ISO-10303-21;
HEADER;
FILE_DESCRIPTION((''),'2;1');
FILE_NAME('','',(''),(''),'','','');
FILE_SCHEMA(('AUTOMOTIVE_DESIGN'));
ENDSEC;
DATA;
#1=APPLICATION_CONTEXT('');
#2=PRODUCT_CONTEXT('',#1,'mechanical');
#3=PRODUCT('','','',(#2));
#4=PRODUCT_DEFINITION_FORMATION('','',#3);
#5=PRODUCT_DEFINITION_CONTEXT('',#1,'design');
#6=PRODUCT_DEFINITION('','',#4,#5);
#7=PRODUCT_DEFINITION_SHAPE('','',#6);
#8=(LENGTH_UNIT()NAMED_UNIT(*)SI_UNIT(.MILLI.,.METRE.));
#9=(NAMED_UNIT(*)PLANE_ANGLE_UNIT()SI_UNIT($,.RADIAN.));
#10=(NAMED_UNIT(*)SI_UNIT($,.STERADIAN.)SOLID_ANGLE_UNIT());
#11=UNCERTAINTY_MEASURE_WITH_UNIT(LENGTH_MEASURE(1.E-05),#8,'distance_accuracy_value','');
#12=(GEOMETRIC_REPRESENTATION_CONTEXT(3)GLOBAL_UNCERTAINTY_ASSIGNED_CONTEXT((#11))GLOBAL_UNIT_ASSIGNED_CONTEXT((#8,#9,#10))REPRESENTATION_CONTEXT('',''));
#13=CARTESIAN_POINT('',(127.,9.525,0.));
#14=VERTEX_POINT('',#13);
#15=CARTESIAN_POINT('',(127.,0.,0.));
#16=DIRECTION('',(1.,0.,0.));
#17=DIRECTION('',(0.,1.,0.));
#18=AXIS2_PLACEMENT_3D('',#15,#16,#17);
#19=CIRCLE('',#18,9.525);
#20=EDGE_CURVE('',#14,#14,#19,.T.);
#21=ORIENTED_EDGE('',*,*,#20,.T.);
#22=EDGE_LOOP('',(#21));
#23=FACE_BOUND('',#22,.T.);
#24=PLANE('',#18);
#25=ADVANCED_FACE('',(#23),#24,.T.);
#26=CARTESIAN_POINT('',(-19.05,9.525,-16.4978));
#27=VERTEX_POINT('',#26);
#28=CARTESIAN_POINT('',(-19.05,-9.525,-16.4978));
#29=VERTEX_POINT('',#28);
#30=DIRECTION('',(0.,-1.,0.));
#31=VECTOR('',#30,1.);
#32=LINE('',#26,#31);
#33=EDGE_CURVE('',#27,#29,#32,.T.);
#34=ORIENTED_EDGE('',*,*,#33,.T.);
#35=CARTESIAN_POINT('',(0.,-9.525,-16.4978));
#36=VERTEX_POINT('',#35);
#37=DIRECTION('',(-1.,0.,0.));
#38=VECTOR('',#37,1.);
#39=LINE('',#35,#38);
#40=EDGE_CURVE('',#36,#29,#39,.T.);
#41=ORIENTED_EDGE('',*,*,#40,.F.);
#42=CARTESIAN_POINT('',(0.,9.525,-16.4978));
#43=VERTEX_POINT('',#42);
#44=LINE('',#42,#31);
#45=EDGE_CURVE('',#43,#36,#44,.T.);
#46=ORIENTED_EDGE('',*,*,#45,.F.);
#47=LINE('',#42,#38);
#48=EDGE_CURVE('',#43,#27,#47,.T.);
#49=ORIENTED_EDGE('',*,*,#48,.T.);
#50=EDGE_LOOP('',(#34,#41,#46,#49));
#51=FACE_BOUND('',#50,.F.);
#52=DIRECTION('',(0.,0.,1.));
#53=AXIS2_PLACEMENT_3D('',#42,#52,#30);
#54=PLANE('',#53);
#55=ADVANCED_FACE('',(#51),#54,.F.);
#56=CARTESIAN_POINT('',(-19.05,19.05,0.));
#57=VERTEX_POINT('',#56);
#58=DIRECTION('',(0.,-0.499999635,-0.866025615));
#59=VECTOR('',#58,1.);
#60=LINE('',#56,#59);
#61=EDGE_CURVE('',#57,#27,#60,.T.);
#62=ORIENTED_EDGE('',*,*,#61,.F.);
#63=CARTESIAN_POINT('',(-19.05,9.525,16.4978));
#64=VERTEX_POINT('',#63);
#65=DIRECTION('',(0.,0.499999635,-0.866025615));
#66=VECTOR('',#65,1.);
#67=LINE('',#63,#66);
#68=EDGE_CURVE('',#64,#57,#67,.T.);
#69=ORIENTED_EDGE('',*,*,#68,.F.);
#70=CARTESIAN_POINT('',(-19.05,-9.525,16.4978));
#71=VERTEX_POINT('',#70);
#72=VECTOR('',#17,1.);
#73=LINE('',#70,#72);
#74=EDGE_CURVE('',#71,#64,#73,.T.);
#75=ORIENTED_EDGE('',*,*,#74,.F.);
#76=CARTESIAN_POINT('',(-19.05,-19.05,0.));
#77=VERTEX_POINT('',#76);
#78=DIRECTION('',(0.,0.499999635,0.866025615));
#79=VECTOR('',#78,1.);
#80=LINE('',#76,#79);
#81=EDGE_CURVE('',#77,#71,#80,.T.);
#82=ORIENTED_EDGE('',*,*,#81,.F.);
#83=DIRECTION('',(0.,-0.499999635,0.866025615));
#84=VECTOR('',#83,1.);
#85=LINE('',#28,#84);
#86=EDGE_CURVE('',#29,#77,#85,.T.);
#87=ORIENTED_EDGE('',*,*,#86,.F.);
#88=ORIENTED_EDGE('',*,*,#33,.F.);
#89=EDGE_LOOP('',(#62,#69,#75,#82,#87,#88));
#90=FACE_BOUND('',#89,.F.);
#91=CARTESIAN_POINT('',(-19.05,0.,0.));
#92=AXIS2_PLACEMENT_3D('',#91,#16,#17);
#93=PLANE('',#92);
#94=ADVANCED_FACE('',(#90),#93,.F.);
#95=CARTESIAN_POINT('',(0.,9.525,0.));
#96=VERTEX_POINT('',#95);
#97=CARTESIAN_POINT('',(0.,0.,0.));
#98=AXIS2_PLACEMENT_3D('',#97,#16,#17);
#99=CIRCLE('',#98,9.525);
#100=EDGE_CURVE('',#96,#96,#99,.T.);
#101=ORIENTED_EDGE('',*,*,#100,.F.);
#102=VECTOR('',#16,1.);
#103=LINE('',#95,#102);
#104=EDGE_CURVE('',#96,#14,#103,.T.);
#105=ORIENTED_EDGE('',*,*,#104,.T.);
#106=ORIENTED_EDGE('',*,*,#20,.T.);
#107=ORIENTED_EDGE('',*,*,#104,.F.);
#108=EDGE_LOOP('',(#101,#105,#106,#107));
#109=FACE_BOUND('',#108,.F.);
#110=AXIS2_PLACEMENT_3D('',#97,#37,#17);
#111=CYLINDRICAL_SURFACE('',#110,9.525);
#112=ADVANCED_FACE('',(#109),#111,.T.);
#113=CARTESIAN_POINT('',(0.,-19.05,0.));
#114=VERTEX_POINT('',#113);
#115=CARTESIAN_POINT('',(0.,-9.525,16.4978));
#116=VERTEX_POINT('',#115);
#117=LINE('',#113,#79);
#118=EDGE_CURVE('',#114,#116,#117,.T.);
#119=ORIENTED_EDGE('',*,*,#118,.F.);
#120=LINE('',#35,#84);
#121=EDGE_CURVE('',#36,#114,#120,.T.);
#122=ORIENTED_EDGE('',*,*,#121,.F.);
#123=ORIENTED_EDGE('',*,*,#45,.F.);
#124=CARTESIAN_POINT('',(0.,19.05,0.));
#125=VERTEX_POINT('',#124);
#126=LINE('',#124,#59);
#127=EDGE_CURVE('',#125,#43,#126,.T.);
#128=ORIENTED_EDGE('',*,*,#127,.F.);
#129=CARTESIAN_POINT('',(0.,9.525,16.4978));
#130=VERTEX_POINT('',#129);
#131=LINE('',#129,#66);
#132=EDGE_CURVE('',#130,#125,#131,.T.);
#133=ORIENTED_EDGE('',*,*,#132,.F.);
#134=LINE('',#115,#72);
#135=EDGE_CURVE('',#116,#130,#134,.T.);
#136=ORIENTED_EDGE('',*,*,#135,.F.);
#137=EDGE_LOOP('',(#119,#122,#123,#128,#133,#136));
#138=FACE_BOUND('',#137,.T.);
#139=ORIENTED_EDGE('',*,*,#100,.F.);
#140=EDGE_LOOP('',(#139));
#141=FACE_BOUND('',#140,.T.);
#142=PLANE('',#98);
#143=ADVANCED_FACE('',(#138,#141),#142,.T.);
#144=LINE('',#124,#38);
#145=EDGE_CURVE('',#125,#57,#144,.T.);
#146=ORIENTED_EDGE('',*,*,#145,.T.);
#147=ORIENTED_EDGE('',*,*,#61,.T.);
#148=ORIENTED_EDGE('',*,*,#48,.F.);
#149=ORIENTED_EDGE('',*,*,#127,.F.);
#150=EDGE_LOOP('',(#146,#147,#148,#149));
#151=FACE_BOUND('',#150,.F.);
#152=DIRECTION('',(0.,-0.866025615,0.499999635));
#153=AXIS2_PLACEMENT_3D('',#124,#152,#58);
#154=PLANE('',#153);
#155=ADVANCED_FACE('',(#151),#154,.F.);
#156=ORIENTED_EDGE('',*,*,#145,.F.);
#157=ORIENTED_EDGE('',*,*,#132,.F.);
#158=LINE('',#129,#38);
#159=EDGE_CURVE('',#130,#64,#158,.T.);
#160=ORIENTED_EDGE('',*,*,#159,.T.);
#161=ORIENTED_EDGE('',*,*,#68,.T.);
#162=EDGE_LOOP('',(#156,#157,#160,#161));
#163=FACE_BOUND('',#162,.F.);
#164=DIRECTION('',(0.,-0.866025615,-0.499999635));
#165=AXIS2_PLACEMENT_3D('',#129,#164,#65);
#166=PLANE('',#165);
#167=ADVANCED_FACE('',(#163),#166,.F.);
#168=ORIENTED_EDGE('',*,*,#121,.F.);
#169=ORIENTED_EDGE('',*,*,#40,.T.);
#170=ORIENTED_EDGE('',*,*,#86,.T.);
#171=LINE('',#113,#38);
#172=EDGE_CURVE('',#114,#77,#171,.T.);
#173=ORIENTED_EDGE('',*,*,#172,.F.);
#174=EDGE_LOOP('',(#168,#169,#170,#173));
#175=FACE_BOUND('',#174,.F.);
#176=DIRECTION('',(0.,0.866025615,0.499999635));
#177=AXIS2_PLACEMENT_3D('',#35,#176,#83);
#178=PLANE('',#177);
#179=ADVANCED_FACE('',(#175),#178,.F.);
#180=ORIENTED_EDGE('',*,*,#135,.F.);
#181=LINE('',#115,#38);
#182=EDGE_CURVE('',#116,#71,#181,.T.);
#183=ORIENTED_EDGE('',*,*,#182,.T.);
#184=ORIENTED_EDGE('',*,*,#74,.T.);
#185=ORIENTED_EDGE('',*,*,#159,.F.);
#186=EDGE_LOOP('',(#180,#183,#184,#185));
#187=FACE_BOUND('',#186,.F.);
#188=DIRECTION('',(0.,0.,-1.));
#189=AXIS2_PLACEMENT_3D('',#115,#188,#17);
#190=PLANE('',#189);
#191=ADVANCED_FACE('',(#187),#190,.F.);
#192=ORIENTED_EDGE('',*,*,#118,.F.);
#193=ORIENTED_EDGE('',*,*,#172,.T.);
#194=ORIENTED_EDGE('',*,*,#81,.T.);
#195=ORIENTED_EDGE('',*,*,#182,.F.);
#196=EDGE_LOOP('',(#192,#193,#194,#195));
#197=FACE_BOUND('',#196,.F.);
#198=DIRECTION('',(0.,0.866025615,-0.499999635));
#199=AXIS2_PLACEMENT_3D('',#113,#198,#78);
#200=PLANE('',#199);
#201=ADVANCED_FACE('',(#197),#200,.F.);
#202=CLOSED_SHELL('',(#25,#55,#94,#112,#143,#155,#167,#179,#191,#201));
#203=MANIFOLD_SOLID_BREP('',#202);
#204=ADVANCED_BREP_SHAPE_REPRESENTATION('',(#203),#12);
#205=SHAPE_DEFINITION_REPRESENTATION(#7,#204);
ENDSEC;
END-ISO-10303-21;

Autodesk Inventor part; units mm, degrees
ref_plane "YZ Plane" through (0, 0, 0) normal (1, 0, 0) x (0, 1, 0)
ref_plane "XZ Plane" through (0, 0, 0) normal (0, 1, 0) x (-1, 0, 0)
ref_plane "XY Plane" through (0, 0, 0) normal (0, 0, 1) x (1, 0, 0)
sketch "Sketch1" plane through (0, 0, 0) normal (1, 0, 0) x (0, 1, 0)
  circle A0 centre (0, 0) radius 9.525
  dimension "Diameter" = 19.05
extrude "Extrusion1" add sketch "Sketch1" along normal blind 127
sketch "Sketch2" plane through (0, 0, 0) normal (1, 0, 0) x (0, 1, 0)
  line L0 (19.05, 0) -> (9.525, -16.4978)
  line L1 (9.525, -16.4978) -> (-9.525, -16.4978)
  line L2 (-9.525, -16.4978) -> (-19.05, 0)
  line L3 (-19.05, 0) -> (-9.525, 16.4978)
  line L4 (-9.525, 16.4978) -> (9.525, 16.4978)
  line L5 (9.525, 16.4978) -> (19.05, 0)
  line L6 (-19.05, 0) -> (19.05, 0) construction
  point P0 (0, 0)
  point P1 (0, 0)
  dimension "Headsize" = 38.1
extrude "Extrusion2" add sketch "Sketch2" against normal blind 19.05
thread "Thread1" size "3/4-10 UNC" class "2A" standard "ANSI Unified Screw Threads" length 76.2
